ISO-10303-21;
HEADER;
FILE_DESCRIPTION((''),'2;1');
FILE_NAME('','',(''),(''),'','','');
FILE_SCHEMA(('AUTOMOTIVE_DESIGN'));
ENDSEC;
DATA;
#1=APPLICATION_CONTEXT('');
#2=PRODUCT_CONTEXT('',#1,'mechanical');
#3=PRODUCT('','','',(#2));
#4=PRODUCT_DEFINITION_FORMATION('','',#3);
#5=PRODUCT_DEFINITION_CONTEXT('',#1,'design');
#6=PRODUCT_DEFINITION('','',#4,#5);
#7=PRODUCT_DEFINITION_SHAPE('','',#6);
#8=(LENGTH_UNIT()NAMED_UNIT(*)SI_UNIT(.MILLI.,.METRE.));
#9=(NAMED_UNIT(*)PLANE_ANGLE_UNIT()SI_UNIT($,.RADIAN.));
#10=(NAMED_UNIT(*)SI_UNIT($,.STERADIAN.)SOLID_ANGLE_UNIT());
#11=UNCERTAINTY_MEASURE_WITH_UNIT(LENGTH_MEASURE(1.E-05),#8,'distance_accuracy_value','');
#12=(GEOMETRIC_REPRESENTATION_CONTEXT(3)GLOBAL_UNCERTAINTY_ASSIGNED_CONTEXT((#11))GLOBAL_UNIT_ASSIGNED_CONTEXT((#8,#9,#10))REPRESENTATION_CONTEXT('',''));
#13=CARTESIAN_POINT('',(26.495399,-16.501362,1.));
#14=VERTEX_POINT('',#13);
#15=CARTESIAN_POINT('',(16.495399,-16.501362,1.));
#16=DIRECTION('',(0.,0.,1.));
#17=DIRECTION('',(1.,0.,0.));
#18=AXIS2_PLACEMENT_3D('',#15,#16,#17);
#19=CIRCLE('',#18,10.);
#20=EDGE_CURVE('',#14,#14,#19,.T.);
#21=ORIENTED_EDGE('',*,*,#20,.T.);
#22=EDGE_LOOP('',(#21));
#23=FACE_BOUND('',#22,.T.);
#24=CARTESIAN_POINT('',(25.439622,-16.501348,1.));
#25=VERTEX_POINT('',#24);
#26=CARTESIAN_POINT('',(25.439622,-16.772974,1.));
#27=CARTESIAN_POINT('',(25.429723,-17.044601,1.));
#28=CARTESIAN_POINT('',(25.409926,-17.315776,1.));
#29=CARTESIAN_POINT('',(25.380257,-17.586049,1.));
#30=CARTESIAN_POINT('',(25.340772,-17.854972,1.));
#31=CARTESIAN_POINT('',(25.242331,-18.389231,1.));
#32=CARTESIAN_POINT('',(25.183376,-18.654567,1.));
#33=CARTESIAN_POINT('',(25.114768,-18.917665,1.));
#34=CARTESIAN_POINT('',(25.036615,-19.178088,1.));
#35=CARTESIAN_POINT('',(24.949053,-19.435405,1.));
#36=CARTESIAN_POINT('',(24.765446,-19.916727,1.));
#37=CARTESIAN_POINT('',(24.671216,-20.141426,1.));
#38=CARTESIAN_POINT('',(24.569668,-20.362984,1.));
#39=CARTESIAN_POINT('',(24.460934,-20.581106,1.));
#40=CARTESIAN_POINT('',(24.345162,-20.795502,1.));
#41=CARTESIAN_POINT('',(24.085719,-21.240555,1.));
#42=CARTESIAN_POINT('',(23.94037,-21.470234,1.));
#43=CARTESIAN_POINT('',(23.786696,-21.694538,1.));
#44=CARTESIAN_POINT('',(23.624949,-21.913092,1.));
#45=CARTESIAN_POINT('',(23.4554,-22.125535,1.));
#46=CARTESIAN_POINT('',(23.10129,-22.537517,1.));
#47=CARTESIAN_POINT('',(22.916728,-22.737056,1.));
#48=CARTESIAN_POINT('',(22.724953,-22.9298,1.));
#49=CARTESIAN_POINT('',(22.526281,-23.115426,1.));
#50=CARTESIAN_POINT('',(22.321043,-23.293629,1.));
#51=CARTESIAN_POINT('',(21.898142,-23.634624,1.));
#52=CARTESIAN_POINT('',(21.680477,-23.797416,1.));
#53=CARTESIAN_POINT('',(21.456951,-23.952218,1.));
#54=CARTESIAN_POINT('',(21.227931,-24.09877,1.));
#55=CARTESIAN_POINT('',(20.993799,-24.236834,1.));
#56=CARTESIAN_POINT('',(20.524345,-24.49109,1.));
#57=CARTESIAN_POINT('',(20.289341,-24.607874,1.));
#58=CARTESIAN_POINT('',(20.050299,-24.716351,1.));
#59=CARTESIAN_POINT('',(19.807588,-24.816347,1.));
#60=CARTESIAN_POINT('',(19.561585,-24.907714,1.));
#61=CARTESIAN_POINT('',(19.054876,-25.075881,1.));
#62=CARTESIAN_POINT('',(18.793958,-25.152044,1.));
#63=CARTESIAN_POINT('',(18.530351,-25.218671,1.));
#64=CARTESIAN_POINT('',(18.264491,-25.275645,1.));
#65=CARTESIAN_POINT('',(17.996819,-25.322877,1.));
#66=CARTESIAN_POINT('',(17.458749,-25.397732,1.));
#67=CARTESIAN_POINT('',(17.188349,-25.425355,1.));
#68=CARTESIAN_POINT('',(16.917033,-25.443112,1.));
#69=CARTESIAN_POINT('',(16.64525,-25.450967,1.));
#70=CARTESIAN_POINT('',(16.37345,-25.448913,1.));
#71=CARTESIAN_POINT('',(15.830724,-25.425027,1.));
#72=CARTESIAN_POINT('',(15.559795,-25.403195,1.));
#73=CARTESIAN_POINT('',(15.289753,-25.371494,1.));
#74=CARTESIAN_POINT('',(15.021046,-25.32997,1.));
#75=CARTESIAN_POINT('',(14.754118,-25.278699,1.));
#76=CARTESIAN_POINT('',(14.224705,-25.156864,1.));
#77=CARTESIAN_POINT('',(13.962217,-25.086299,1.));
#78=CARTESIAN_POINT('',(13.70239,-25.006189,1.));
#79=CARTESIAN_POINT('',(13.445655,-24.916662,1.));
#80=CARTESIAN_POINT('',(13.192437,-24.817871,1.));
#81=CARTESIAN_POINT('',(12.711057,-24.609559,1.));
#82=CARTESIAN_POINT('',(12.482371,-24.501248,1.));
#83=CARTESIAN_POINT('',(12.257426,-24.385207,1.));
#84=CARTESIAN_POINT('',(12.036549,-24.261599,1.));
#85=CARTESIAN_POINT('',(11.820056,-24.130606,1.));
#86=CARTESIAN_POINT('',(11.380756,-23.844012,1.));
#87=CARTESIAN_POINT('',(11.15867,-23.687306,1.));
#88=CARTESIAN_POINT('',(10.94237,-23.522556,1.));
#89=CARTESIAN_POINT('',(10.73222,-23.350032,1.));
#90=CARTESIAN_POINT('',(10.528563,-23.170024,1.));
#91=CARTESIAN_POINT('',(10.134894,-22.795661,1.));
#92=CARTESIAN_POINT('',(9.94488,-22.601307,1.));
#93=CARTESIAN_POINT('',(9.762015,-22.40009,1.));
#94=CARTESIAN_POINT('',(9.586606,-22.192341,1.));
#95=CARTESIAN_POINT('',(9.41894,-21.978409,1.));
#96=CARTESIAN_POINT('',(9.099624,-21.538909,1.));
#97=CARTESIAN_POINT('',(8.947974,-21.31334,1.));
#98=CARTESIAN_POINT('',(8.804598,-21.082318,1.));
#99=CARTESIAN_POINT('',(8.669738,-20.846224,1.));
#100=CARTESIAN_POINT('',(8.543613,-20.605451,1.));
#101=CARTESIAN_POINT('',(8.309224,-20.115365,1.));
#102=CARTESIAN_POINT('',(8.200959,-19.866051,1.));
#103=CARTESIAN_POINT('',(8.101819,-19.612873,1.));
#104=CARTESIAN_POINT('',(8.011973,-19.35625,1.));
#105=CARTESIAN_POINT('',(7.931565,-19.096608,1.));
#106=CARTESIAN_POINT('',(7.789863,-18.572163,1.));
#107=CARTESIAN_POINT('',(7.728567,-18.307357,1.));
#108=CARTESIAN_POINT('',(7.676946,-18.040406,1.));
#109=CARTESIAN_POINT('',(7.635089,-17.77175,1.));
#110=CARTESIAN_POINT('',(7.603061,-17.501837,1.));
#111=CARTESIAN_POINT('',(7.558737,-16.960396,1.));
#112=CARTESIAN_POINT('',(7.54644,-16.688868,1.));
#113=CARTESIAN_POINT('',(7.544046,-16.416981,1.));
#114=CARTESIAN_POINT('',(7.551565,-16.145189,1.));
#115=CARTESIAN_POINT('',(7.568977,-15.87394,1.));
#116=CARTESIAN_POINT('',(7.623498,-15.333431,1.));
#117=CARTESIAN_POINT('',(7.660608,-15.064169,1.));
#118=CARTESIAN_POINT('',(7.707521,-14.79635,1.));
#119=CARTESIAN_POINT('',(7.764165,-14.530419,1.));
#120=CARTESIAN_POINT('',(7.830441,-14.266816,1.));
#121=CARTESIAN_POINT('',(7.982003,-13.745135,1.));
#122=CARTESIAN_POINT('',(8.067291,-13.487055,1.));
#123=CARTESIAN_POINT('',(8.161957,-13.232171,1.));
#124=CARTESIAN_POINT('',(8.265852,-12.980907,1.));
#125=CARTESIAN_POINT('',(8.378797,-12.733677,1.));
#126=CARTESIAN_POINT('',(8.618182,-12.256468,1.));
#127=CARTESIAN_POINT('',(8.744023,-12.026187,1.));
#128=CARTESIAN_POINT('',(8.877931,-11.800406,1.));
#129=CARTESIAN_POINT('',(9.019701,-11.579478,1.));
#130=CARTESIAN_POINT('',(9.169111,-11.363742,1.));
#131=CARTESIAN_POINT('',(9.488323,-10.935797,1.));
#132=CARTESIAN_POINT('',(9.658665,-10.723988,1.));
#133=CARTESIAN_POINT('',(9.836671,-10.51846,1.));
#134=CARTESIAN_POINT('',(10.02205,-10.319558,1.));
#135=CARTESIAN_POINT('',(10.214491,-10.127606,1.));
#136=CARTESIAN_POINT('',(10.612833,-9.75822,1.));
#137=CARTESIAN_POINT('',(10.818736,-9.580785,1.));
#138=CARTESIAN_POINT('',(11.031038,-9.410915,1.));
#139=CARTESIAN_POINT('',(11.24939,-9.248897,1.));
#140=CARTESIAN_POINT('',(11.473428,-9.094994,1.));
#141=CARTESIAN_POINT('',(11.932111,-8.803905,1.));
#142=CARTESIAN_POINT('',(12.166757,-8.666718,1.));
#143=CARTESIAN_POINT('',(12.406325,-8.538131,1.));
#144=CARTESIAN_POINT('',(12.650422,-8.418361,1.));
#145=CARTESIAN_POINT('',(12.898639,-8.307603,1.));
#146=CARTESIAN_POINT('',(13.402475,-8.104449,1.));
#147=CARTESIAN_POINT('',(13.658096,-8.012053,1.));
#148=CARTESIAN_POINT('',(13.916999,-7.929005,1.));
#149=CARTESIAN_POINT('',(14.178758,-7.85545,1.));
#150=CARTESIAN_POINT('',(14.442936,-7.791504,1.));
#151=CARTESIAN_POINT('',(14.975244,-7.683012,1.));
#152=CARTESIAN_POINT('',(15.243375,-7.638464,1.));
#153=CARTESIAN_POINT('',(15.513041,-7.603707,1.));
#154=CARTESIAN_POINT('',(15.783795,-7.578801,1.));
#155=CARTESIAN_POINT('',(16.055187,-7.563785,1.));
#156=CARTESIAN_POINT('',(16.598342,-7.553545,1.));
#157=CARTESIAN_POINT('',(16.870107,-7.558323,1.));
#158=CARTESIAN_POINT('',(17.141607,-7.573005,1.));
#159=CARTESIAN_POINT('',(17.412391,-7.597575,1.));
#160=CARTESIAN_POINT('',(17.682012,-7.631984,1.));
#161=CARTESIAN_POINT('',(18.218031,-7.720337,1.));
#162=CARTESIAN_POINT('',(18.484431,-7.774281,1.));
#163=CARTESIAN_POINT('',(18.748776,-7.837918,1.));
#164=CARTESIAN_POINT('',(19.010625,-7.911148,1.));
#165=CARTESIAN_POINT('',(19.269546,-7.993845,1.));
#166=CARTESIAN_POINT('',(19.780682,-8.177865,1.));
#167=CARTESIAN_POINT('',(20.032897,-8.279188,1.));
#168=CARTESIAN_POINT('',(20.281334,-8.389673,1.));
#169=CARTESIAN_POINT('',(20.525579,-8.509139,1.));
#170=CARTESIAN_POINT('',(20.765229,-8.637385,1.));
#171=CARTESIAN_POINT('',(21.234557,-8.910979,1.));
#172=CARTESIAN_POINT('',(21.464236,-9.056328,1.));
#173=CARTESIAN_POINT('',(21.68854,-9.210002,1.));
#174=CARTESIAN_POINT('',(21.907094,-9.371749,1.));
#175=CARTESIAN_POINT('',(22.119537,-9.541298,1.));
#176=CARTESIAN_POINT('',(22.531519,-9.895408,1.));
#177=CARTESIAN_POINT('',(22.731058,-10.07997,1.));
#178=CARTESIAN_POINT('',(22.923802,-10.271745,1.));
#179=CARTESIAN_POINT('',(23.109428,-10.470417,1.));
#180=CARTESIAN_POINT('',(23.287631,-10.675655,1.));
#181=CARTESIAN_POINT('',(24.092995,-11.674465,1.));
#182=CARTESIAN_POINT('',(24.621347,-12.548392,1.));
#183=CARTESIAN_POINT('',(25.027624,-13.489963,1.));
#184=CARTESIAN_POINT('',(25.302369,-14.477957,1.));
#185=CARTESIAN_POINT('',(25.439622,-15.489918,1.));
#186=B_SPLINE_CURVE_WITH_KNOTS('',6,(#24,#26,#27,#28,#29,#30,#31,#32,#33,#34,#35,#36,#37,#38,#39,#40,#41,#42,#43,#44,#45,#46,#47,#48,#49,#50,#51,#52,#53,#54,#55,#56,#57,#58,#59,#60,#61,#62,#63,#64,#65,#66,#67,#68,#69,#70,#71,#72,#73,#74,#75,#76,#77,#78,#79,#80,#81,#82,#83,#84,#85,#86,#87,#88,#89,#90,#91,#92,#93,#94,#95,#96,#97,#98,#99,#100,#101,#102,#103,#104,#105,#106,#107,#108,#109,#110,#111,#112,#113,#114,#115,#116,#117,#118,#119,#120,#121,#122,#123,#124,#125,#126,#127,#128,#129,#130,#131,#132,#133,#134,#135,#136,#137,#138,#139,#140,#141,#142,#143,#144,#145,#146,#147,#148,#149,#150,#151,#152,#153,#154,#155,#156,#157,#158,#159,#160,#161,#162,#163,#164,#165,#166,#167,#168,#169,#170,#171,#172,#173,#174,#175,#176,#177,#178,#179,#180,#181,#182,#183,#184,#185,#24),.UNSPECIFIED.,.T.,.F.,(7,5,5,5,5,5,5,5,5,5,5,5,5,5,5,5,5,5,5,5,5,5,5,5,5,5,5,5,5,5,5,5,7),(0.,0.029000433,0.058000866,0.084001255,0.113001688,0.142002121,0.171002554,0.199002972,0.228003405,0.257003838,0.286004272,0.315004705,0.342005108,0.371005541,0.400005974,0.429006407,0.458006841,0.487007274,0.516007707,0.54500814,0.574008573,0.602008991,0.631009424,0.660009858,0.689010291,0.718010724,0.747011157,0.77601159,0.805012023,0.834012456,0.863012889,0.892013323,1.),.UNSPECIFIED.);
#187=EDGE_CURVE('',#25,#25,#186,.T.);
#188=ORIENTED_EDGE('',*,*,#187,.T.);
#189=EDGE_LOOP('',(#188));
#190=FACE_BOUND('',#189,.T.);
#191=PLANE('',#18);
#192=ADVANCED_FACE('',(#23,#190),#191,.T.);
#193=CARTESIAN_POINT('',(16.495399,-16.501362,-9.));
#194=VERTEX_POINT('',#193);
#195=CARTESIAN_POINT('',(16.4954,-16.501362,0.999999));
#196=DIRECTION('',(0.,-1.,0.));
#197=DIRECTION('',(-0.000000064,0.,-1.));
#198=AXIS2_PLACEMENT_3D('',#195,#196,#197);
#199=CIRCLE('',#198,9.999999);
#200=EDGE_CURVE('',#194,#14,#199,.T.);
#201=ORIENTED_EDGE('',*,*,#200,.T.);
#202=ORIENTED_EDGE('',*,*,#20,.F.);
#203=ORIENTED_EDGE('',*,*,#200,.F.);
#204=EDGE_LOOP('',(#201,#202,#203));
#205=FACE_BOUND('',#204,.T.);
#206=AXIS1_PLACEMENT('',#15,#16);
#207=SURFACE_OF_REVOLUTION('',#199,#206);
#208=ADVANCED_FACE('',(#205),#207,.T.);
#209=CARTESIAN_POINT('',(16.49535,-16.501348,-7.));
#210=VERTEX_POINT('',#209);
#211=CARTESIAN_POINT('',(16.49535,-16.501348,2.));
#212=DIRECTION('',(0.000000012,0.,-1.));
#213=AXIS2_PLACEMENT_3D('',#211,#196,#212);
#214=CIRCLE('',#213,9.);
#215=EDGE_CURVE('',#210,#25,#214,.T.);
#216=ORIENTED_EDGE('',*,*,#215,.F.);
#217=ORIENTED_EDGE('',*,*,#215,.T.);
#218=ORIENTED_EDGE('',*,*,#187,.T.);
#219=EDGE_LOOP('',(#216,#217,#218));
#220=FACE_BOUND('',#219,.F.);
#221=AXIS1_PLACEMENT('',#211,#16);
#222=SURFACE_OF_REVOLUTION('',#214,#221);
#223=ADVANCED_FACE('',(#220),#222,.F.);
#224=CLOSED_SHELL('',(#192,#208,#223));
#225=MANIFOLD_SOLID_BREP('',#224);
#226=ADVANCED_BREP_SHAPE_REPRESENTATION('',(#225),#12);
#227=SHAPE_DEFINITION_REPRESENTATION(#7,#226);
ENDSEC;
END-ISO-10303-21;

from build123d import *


with BuildPart() as sphere001:
    # Sphere001 → Sphere001 (revolve)
    with BuildSketch(Plane(origin=(16.5428, -16.9323, 1), x_dir=(1, 0, 0), z_dir=(0, -1, 0))):
        with BuildLine():
            ThreePointArc((0, -9), (6.363961, -6.363961), (9, 0))
            Line((9, 0), (0, 0))
            Line((0, 0), (0, -9))
        make_face()
    revolve(axis=Axis((16.5428, -16.9323, 1), (0, 0, 1)))


with BuildPart() as cut006:
    # Sphere → Sphere (revolve)
    with BuildSketch(Plane(origin=(16.542849, -16.932314, 0), x_dir=(1, 0, 0), z_dir=(0, -1, 0))):
        with BuildLine():
            ThreePointArc((0, -10), (7.071068, -7.071068), (10, 0))
            Line((10, 0), (0, 0))
            Line((0, 0), (0, -10))
        make_face()
    revolve(axis=Axis((16.542849, -16.932314, 0), (0, 0, 1)))

    # Cut006: cut Sphere001
    add(sphere001.part, mode=Mode.SUBTRACT)


with BuildPart() as cut006_1:
    # Cut006 placement: moved
    add(cut006.part.moved(Location((-0.04745, 0.430952, 1))))


solid = cut006_1.part
